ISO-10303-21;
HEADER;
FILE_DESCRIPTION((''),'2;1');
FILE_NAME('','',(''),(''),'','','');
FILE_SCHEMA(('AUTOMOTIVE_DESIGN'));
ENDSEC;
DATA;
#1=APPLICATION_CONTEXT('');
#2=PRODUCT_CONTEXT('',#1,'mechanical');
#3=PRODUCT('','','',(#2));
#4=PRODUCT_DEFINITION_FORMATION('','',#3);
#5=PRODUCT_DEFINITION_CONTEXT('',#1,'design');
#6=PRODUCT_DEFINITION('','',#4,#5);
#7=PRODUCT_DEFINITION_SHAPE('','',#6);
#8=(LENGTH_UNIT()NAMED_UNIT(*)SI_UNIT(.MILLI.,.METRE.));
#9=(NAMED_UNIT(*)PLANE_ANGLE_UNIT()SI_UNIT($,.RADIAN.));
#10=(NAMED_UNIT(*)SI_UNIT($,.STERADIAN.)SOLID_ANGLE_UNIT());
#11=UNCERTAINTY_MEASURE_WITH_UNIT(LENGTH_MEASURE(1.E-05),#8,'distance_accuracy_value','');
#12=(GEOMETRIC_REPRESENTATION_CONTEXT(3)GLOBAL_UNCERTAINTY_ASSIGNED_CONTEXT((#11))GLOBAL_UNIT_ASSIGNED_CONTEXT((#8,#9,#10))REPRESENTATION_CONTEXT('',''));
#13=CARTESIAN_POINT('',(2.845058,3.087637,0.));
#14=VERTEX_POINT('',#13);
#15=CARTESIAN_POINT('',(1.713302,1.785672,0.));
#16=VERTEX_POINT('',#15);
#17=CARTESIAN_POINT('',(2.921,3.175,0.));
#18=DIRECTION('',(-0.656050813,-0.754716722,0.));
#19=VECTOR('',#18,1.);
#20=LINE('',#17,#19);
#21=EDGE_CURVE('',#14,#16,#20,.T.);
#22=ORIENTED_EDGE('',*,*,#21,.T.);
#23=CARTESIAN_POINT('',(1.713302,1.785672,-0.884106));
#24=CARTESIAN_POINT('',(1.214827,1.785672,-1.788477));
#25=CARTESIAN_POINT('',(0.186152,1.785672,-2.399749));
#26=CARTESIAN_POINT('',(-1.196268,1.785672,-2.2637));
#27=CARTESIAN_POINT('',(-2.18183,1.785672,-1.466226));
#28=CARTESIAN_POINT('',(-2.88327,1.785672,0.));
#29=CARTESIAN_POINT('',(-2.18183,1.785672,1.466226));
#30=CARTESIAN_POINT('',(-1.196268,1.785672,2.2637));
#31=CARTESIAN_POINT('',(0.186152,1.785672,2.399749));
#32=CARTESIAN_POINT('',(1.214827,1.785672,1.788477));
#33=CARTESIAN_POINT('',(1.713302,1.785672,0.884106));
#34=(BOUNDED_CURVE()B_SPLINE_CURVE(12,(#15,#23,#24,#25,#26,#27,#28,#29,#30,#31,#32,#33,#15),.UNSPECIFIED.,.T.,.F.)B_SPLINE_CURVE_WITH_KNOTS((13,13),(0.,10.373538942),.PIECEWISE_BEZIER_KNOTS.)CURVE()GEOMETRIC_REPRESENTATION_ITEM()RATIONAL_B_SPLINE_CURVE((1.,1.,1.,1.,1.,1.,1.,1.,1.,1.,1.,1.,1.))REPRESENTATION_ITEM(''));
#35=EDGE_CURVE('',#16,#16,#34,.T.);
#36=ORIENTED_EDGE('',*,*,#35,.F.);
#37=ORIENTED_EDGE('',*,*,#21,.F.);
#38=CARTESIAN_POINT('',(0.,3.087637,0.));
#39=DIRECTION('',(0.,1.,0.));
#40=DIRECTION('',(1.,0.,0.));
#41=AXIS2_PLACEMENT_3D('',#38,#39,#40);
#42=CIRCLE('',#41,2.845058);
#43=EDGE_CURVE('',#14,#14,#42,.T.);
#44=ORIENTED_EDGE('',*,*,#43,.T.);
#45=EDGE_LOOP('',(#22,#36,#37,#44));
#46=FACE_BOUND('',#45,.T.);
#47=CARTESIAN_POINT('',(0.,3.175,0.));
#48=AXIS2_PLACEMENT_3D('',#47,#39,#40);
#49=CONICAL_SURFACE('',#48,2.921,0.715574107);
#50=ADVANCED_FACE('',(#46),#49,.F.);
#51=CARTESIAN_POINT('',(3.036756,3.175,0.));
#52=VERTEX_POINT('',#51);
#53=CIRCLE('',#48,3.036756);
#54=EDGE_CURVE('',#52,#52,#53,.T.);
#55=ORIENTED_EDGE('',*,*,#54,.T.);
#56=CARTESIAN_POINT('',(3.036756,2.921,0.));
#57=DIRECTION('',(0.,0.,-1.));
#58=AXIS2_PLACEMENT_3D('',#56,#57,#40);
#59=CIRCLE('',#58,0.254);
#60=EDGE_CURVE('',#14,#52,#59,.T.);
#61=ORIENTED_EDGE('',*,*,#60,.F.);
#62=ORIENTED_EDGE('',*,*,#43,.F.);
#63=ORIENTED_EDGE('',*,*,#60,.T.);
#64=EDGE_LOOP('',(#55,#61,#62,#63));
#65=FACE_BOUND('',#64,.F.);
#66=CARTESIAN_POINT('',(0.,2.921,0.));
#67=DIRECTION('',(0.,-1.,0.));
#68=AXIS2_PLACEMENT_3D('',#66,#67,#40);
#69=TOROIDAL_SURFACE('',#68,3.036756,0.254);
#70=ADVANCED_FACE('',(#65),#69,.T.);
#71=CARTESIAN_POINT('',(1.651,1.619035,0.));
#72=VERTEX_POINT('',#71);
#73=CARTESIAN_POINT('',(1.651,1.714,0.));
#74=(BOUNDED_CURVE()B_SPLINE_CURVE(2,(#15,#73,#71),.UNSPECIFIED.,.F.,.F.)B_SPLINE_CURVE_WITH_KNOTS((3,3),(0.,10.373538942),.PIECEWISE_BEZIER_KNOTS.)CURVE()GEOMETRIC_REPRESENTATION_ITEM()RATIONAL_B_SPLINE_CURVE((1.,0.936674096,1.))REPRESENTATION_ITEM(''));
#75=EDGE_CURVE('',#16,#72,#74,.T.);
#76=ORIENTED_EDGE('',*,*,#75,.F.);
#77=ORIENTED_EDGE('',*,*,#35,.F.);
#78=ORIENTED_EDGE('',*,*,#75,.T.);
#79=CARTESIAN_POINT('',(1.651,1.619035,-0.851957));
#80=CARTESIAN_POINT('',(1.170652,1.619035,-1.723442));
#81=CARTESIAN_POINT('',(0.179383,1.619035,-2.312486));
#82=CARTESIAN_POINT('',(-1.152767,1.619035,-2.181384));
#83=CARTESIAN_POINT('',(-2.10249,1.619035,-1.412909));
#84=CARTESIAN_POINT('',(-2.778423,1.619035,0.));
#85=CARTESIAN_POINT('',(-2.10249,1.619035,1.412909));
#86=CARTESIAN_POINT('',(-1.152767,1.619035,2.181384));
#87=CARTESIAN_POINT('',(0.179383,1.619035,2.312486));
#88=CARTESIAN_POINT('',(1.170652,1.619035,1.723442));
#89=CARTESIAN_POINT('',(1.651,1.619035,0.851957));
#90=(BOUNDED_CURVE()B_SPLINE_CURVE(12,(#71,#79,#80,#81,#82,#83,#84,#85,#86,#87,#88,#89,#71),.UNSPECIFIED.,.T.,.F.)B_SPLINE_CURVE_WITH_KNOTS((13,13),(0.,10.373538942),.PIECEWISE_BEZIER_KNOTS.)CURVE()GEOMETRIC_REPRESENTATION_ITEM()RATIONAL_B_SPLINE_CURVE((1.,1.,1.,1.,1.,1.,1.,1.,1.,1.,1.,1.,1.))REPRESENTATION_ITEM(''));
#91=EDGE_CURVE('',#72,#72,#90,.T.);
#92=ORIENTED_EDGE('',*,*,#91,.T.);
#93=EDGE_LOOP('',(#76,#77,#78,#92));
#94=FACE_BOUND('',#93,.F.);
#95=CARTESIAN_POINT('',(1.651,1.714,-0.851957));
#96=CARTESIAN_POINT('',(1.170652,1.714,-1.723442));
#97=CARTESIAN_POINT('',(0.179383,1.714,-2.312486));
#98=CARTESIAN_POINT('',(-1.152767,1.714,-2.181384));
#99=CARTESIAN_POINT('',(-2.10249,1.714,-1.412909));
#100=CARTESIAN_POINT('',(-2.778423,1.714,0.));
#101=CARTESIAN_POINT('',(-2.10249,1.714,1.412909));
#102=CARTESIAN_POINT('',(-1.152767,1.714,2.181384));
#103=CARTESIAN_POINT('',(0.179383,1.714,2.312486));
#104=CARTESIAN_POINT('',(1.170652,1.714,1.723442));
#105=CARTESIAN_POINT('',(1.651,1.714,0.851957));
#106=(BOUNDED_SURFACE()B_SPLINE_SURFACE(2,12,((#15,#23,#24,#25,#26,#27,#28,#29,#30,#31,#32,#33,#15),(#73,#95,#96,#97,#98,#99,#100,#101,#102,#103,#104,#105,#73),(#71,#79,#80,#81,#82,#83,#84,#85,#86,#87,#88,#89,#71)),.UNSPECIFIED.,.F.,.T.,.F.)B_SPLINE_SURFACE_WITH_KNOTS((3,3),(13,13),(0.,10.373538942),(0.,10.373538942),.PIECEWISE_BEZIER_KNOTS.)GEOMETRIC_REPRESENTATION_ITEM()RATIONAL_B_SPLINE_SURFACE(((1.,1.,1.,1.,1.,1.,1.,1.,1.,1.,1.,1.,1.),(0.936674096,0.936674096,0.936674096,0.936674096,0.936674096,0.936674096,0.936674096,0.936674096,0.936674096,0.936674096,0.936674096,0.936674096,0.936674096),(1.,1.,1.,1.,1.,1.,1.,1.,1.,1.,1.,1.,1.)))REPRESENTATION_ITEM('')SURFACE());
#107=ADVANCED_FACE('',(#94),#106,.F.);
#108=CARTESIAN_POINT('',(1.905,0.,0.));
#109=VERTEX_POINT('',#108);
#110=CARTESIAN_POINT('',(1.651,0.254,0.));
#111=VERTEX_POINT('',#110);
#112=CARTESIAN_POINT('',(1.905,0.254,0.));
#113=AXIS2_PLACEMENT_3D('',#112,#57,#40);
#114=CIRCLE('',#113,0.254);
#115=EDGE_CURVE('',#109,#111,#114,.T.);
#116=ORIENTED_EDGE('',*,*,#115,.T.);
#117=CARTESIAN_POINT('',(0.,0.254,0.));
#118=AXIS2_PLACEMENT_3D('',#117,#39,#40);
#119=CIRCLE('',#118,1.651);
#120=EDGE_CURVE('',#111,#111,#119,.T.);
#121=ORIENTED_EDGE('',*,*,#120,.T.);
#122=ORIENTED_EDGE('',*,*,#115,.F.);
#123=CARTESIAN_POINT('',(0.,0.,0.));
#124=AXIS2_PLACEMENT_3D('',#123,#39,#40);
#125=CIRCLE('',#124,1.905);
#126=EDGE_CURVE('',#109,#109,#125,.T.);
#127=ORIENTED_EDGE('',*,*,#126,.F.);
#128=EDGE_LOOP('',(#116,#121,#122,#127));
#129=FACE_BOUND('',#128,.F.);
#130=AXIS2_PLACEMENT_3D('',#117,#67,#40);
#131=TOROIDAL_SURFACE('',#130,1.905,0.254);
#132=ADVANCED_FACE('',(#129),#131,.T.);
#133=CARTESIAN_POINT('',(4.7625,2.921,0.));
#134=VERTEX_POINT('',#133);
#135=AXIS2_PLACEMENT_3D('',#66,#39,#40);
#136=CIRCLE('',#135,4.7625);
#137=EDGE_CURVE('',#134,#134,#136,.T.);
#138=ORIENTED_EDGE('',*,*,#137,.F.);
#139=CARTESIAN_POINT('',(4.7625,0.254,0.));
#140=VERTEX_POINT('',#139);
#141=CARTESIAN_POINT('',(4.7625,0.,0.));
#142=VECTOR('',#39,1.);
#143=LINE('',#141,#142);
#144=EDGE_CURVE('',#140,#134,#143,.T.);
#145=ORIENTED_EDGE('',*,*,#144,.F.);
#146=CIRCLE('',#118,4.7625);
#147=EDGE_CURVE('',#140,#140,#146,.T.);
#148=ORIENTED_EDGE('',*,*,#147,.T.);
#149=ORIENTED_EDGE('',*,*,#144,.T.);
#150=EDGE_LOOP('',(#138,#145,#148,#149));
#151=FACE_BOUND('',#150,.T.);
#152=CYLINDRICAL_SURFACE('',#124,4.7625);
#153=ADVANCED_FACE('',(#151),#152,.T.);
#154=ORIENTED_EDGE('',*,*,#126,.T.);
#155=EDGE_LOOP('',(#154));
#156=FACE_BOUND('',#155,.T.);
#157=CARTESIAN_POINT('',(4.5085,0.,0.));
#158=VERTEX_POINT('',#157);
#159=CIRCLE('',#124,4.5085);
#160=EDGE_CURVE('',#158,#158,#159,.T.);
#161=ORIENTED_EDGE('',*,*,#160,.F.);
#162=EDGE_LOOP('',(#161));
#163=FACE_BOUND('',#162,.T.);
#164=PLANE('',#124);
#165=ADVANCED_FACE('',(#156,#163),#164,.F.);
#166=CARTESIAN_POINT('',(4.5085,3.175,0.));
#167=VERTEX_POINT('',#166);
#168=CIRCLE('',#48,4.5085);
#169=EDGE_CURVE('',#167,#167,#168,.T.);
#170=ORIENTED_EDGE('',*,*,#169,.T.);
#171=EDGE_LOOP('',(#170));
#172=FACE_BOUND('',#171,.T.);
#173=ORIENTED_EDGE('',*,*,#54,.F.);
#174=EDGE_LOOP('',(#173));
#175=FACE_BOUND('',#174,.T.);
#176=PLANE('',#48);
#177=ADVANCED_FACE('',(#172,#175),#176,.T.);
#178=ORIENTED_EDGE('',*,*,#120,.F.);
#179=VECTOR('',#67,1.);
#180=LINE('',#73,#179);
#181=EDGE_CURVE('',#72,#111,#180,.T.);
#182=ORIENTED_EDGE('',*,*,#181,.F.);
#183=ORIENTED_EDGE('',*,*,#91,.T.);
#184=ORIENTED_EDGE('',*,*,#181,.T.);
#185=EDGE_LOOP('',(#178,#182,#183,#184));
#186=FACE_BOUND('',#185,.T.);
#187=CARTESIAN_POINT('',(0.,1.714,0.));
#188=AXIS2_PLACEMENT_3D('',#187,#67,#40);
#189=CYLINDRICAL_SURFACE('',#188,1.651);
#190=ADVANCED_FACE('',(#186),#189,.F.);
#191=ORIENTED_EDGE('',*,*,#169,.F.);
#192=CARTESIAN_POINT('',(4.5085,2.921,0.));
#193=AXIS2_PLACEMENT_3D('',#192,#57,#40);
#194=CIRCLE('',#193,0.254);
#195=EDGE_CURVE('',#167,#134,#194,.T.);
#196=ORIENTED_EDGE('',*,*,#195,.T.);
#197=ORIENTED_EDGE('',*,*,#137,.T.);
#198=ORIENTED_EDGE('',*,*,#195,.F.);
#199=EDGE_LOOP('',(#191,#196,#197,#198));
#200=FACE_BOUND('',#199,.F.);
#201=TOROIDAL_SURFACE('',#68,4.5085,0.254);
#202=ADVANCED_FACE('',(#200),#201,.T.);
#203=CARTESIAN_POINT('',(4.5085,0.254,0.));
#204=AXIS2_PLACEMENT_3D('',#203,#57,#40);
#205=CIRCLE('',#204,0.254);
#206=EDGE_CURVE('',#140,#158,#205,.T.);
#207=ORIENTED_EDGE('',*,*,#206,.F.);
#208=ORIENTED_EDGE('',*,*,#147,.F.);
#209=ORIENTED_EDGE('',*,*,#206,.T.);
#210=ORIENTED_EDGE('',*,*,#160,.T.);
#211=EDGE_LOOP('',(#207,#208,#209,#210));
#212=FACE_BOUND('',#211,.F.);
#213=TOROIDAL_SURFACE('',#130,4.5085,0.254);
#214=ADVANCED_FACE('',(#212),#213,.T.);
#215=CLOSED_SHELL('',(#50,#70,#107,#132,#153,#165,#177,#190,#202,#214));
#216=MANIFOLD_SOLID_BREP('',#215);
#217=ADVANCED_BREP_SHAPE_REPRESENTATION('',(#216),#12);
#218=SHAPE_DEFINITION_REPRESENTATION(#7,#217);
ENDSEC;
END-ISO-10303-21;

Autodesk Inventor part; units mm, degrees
ref_plane "YZ Plane" through (0, 0, 0) normal (1, 0, 0) x (0, 1, 0)
ref_plane "XZ Plane" through (0, 0, 0) normal (0, 1, 0) x (-1, 0, 0)
ref_plane "XY Plane" through (0, 0, 0) normal (0, 0, 1) x (1, 0, 0)
sketch "Sketch1" plane through (0, 0, 0) normal (0, 0, 1) x (1, 0, 0)
  line L0 (1.651, 1.714) -> (1.651, 0)
  line L1 (1.651, 0) -> (4.7625, 0)
  line L2 (4.7625, 0) -> (4.7625, 3.175)
  line L3 (4.7625, 3.175) -> (2.921, 3.175)
  line L4 (2.921, 3.175) -> (1.651, 1.714)
  line L5 (0, -0.635) -> (0, 3.81) construction
  point P0 (0, 0)
  dimension "d0" = 41
  dimension "d1" = 3.302
  dimension "d2" = 9.525
  dimension "d3" = 3.175
  dimension "d4" = 5.842
revolve "Revolution1" add sketch "Sketch1" angle 360 about axis through (0, -10, 0) along (0, 1, 0)
fillet "Fillet1" radius 0.254 5 edges at (-4.7625, 3.175, 0) (-4.7625, 0, 0) (-2.921, 3.175, 0) (-1.651, 1.714, 0) (-1.651, 0, 0)
properties part number "5862K12" material "STEEL, HIGH CARBON (1075/1080/1090/1095)"
